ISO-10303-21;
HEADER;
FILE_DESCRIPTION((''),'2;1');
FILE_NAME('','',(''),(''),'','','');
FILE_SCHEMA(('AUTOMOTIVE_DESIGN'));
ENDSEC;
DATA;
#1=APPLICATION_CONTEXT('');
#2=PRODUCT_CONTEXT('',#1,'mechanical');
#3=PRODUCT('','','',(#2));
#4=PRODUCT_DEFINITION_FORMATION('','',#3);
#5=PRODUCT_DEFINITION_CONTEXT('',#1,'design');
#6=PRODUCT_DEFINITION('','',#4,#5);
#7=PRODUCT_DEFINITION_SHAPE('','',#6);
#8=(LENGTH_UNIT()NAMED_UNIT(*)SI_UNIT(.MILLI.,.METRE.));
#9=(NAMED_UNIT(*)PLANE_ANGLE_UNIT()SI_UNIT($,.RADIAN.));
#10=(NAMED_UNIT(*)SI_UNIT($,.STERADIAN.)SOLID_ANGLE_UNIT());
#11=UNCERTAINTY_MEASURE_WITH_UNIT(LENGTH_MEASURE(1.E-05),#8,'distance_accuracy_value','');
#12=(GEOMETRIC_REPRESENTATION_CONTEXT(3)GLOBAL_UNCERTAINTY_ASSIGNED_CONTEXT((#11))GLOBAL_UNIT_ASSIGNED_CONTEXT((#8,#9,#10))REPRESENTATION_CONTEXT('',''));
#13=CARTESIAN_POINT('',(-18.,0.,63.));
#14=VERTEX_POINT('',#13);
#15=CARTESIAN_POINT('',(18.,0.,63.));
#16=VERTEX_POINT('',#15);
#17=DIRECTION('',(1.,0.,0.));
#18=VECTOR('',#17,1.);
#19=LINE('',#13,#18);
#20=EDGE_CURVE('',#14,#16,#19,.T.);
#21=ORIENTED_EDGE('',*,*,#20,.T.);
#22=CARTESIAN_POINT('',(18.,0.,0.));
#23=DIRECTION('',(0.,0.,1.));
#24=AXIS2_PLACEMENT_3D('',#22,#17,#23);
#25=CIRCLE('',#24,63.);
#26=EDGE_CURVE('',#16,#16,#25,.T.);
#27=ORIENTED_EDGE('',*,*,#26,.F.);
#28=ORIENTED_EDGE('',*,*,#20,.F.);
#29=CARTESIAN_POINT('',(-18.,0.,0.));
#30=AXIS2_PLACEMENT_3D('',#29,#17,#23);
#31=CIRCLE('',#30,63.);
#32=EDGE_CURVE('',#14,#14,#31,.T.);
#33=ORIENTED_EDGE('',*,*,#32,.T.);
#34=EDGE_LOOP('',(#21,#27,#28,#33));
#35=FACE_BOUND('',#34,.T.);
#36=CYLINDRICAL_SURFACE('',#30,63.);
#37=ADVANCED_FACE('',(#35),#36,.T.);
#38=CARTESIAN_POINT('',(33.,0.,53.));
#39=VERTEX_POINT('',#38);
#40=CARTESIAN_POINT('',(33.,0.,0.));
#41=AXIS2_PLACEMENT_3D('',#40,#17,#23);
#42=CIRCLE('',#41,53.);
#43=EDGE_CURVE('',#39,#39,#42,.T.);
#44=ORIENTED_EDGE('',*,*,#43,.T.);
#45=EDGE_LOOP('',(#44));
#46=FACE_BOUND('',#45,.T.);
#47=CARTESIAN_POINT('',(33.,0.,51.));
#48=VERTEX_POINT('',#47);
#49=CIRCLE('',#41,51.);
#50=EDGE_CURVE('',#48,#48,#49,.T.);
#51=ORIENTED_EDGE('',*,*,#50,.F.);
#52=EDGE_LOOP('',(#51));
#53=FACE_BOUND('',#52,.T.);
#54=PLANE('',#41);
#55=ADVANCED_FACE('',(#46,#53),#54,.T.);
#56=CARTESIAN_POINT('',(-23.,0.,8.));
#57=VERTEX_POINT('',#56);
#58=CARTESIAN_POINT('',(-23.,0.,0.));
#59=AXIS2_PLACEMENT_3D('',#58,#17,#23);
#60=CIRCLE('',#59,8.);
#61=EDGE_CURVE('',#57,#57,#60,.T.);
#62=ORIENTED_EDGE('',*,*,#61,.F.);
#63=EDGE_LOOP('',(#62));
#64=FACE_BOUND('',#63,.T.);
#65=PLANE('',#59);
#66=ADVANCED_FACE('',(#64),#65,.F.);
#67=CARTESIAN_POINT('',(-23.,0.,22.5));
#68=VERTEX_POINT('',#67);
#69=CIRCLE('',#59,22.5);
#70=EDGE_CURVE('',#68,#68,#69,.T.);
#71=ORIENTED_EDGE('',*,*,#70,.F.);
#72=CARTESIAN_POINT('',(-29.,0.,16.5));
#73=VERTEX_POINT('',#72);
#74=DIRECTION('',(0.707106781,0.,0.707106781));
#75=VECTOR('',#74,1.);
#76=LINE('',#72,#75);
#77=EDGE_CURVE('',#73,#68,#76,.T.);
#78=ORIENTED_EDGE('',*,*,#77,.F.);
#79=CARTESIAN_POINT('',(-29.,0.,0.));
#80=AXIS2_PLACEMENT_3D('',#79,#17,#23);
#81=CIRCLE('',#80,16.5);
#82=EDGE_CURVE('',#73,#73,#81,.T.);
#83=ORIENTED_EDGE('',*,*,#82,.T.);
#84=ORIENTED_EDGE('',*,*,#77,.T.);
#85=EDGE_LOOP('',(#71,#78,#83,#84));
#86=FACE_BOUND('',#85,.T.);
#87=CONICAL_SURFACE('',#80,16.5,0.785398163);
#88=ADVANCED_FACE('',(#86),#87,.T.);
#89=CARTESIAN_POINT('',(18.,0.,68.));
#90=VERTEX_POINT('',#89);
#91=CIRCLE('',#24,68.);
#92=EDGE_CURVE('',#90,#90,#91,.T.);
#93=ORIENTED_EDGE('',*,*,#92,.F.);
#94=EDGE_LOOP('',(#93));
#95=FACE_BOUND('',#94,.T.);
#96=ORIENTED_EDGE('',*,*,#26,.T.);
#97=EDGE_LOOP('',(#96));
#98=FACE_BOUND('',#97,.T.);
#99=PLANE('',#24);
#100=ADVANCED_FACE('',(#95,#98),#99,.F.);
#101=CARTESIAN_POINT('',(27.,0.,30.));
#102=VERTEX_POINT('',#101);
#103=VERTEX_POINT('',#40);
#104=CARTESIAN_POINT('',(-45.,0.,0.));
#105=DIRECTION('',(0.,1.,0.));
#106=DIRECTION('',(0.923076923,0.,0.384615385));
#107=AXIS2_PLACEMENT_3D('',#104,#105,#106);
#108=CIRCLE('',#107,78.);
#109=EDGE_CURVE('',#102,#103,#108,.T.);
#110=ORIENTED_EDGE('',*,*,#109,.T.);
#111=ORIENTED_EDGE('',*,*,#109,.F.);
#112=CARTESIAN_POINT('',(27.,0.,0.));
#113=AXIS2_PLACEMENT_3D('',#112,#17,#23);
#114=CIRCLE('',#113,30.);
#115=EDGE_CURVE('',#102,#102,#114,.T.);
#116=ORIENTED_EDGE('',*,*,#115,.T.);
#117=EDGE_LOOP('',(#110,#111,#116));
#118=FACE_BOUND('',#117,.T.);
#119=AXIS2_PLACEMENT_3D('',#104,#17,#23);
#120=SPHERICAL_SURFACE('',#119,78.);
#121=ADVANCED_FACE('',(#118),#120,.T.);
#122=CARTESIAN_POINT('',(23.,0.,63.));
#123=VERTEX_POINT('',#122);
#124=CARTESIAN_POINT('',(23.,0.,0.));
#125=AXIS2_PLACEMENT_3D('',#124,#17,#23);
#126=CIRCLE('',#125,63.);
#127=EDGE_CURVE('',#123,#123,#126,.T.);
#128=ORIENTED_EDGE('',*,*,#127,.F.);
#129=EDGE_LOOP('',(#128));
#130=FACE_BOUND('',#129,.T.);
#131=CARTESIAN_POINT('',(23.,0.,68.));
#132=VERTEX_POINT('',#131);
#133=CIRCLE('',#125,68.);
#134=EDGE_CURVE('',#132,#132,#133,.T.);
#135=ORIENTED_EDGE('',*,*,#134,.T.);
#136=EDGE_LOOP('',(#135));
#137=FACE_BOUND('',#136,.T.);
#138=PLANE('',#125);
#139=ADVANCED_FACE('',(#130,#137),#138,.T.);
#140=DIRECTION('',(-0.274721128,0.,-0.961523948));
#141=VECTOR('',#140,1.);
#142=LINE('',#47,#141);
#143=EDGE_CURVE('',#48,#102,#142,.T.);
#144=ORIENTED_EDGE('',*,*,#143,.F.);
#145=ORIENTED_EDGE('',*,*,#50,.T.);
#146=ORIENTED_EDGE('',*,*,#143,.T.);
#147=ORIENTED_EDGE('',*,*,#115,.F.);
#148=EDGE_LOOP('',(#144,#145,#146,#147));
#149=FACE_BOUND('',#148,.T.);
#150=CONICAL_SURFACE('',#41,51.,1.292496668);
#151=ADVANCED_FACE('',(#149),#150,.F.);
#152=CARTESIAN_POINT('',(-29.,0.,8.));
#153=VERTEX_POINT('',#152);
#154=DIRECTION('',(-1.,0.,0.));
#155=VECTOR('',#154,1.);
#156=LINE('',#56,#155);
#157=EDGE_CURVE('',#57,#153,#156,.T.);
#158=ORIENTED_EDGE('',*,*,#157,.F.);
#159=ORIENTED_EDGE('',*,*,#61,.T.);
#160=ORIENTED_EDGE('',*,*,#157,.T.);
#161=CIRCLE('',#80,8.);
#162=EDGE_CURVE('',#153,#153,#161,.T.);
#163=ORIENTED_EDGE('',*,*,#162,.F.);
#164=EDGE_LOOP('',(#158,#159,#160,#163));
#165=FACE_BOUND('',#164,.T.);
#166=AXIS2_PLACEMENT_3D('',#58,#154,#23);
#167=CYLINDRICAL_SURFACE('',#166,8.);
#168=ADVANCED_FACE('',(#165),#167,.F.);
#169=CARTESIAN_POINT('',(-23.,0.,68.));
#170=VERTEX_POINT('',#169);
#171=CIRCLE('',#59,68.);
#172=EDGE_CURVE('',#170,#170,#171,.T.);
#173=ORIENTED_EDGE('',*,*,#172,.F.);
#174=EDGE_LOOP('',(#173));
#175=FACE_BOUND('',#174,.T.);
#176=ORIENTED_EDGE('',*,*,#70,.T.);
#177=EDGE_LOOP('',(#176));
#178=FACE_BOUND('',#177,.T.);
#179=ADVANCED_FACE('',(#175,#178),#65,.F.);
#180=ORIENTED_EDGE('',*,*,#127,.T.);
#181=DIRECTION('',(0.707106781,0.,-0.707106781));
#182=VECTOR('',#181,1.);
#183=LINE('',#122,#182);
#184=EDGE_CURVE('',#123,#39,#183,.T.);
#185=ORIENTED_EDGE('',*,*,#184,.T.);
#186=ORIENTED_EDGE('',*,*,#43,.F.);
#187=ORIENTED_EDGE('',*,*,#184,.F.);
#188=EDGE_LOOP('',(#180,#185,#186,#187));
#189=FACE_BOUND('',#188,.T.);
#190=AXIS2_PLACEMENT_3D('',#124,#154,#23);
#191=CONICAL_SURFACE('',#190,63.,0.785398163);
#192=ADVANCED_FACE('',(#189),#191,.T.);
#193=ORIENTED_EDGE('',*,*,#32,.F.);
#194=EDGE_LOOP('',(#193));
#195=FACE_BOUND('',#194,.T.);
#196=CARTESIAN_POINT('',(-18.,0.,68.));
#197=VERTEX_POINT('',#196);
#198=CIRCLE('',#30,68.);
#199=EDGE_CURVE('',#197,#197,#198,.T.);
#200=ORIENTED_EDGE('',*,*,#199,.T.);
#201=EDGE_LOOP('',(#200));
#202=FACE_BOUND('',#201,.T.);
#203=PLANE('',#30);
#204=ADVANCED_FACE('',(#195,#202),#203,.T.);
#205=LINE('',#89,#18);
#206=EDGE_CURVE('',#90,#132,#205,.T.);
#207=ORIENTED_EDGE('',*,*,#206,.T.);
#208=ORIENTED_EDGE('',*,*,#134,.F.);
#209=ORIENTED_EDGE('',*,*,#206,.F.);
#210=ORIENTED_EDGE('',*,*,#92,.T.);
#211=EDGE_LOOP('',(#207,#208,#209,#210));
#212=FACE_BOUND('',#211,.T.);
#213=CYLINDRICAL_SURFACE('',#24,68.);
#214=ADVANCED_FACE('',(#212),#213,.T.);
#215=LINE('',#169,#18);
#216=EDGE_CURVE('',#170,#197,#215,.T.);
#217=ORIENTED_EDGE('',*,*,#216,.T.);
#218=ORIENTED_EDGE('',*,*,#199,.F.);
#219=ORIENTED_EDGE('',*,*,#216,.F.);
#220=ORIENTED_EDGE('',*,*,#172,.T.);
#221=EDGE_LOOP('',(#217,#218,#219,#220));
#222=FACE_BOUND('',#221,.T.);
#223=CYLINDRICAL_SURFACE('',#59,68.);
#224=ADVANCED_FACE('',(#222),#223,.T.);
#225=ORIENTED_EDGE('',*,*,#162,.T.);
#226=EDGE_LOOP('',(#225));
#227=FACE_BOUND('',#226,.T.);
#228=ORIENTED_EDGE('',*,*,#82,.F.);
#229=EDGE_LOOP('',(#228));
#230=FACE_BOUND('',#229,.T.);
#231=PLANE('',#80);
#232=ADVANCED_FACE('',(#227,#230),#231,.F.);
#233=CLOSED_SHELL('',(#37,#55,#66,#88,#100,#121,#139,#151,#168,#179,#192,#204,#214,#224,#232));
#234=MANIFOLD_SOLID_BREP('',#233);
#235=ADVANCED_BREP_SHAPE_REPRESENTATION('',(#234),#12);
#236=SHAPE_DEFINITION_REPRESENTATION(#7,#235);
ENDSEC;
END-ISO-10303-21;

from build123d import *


with BuildPart() as part:
    # Croquis1 → Revolución1 (revolve)
    with BuildSketch(Plane.XY, mode=Mode.PRIVATE) as revoluci_n1_sk:
        with BuildLine():
            Line((-23, 68), (-18, 68))
            Line((-18, 68), (-18, 63))
            Line((-18, 63), (18, 63))
            Line((18, 63), (18, 68))
            Line((18, 68), (23, 68))
            Line((23, 68), (23, 63))
            Line((23, 63), (33, 53))
            Line((33, 53), (33, 51))
            Line((33, 51), (27, 30))
            ThreePointArc((27, 30), (31.485292704, 15.297058541), (33, 0))
            Line((33, 0), (-23, 0))
            Line((-23, 0), (-23, 8))
            Line((-23, 8), (-29, 8))
            Line((-29, 8), (-29, 16.5))
            Line((-29, 16.5), (-23, 22.5))
            Line((-23, 22.5), (-23, 68))
        make_face()
    revolve(revoluci_n1_sk.sketch.rotate(Axis((-754.889867841, 0, 0), (1, 0, 0)), 90), axis=Axis((-754.889867841, 0, 0), (1, 0, 0)))


solid = part.part
